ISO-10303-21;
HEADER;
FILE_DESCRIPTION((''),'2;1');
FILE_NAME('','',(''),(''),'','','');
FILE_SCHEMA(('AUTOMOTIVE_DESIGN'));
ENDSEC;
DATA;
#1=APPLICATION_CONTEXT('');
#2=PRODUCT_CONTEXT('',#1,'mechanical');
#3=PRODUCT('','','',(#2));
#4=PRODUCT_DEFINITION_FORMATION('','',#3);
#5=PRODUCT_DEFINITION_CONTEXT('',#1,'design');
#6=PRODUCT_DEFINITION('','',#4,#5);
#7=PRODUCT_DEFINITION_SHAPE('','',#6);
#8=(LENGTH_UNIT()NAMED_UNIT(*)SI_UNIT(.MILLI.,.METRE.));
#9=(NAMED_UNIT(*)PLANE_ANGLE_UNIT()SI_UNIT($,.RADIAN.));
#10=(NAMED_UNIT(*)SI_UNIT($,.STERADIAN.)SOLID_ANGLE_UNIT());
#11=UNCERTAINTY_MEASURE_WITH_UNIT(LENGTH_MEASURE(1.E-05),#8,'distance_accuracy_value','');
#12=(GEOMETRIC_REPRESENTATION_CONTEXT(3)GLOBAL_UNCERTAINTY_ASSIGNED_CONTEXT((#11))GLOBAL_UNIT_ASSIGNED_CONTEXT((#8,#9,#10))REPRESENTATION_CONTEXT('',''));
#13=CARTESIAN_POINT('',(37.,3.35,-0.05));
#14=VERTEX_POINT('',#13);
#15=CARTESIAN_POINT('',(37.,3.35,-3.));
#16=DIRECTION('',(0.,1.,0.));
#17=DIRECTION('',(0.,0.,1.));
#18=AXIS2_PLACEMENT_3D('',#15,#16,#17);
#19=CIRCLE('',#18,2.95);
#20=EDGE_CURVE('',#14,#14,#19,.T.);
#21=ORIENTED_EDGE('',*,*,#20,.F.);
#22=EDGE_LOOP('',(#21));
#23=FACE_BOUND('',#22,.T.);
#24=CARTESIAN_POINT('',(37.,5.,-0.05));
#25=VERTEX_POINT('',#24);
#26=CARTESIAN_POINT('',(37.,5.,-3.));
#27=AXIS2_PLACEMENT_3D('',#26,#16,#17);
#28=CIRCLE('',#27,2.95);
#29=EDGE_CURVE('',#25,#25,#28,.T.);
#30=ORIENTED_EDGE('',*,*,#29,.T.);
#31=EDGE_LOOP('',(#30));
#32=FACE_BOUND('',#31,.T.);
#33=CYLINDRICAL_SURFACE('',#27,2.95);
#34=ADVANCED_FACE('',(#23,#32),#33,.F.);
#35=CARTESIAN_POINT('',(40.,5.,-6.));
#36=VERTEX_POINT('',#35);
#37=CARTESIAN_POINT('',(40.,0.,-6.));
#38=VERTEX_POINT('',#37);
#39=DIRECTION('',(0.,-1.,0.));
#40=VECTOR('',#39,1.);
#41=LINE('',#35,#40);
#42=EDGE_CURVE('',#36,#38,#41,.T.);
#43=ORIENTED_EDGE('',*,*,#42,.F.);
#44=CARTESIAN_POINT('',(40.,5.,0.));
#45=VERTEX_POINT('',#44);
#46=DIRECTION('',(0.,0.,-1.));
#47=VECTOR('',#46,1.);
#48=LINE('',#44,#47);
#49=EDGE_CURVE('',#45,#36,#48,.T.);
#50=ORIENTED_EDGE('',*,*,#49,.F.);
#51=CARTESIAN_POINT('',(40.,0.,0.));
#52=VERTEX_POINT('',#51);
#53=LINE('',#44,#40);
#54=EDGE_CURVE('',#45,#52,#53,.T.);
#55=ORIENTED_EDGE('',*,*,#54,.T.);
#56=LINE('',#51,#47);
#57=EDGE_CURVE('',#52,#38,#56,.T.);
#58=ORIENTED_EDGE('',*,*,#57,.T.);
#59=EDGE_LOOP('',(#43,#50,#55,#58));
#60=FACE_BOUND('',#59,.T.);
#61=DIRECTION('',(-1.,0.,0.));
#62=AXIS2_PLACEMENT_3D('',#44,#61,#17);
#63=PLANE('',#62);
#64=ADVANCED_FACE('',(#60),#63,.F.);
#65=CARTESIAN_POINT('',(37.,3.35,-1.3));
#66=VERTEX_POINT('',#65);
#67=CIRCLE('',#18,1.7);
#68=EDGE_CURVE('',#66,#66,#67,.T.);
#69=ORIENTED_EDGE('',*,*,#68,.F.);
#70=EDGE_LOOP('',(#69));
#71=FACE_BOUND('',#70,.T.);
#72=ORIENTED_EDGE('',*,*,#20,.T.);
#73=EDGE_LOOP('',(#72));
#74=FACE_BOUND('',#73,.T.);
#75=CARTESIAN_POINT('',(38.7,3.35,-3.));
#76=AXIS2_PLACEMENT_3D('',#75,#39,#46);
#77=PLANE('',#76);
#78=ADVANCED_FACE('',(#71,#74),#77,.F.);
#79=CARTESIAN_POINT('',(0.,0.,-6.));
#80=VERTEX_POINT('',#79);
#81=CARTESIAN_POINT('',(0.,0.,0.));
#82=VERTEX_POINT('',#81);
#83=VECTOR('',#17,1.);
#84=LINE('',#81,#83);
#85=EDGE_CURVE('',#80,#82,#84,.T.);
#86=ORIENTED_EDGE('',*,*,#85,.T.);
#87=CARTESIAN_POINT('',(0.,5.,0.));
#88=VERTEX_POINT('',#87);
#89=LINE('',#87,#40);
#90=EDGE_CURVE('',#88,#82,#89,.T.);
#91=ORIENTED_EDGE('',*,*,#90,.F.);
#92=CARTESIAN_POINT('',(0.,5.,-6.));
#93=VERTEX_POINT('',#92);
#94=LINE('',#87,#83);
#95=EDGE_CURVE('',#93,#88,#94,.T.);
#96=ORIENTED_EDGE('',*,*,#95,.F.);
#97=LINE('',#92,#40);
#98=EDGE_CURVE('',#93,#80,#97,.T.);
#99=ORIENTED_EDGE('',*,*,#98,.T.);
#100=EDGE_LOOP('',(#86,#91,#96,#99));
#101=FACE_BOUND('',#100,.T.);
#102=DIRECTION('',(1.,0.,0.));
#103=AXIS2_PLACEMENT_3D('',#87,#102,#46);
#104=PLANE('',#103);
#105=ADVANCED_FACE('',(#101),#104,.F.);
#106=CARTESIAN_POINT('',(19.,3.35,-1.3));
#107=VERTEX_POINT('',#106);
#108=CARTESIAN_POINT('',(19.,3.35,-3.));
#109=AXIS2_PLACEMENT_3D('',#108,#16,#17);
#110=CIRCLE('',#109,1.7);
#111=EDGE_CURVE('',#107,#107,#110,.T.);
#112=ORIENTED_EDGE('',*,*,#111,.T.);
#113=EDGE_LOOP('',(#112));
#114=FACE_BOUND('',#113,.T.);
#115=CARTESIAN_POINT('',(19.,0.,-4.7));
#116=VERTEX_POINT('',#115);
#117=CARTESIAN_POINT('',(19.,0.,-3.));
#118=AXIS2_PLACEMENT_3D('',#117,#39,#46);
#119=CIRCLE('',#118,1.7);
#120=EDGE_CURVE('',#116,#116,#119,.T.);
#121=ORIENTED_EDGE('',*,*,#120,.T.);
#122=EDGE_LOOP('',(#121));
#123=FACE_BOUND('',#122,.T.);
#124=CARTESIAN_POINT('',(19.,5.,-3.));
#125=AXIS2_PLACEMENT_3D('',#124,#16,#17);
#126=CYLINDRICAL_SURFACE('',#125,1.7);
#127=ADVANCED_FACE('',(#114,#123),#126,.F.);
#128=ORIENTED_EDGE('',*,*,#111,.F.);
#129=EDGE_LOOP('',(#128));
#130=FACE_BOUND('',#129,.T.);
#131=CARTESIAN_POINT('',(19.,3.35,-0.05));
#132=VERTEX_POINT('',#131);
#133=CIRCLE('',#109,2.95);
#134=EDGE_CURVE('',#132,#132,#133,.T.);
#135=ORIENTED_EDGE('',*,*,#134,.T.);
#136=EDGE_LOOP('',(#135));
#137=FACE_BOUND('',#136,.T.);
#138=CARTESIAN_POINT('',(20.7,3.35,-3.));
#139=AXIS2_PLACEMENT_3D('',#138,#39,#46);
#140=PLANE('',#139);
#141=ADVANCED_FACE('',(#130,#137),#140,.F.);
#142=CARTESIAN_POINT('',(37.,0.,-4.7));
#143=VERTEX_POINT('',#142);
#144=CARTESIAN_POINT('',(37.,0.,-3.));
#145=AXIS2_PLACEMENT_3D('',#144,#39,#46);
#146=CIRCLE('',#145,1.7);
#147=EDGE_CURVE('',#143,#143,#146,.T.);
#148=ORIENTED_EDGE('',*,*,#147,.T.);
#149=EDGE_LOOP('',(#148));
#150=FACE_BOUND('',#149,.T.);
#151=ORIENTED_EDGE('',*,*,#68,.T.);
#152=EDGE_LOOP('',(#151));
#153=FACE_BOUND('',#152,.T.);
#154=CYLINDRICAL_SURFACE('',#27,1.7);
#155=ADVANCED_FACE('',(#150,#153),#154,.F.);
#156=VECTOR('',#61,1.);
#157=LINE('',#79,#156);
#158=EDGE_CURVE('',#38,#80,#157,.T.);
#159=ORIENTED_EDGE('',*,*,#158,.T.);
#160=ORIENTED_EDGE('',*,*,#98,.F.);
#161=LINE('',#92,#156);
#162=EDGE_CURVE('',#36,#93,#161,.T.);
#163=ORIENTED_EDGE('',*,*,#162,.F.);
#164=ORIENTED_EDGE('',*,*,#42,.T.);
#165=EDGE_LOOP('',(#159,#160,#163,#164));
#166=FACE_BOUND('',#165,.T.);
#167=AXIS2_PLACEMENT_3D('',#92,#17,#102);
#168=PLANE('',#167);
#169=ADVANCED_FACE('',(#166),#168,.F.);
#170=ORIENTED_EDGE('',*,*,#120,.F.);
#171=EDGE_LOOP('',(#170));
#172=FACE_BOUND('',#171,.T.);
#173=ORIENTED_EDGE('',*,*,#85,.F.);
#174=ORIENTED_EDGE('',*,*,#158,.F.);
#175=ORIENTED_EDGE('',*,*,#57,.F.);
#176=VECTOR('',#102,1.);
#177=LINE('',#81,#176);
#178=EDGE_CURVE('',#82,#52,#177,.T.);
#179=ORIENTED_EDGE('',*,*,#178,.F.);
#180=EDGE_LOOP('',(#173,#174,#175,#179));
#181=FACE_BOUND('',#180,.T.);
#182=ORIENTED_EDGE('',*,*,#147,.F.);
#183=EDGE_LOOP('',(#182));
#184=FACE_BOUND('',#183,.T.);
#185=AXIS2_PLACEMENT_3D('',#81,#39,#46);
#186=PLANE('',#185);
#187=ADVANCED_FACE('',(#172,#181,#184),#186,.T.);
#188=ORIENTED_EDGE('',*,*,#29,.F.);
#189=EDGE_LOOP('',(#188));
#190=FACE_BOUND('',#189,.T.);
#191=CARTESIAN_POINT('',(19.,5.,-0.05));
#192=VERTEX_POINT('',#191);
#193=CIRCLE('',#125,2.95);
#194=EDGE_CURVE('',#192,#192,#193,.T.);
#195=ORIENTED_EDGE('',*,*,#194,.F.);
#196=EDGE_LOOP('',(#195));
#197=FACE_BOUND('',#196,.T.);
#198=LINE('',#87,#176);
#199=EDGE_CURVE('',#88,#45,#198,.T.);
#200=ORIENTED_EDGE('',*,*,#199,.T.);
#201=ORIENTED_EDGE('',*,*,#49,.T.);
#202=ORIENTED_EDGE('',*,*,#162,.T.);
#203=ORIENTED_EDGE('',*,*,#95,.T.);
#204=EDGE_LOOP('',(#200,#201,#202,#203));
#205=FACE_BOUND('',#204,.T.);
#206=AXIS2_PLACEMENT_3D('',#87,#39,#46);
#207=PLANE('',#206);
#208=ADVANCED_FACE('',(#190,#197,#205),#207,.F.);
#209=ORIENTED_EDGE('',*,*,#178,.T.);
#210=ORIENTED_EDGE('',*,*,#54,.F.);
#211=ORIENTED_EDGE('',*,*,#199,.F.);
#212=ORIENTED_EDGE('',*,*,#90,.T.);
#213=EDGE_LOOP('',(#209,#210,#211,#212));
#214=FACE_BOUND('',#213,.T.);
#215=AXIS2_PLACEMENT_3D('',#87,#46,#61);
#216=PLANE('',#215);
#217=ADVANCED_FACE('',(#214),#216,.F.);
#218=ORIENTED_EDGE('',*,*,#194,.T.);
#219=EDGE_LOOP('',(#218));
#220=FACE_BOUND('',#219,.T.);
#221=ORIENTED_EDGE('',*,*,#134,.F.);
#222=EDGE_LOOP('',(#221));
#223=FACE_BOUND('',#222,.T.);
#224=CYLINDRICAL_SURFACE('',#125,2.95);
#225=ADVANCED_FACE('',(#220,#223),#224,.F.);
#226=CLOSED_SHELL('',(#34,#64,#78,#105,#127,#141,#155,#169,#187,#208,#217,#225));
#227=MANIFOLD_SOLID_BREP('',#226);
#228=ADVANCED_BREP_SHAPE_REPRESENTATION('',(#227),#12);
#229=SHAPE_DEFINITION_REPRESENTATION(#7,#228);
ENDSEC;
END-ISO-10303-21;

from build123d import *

# Parameters (mm, degrees)
SKETCH1_W                       = 40
SKETCH1_H                       = 6
BOSS_EXTRUDE1_DEPTH             = 5
CBORE_FOR_M3_SBHCS1_D           = 3.4
CBORE_FOR_M3_SBHCS1_DEPTH       = 7.5
CBORE_FOR_M3_SBHCS1_CBORE_D     = 5.9
CBORE_FOR_M3_SBHCS1_CBORE_DEPTH = 1.65
CBORE_FOR_M3_SBHCS1_TIP         = 1.021463052


with BuildPart() as part:
    # Sketch1 → Boss-Extrude1 (new body)
    with BuildSketch(Plane(origin=(0, 0, 0), x_dir=(1, 0, 0), z_dir=(0, 1, 0))):
        with Locations((20, 3)):
            Rectangle(SKETCH1_W, SKETCH1_H)
    extrude(amount=BOSS_EXTRUDE1_DEPTH)

    # CBORE for M3 SBHCS1
    with Locations(Plane(origin=(0, 5, 0), x_dir=(1, 0, 0), z_dir=(0, 1, 0))):
        with Locations((37, 3), (19, 3)):
            CounterBoreHole(CBORE_FOR_M3_SBHCS1_D / 2, CBORE_FOR_M3_SBHCS1_CBORE_D / 2, CBORE_FOR_M3_SBHCS1_CBORE_DEPTH, depth=CBORE_FOR_M3_SBHCS1_DEPTH)
            with Locations((0, 0, -(CBORE_FOR_M3_SBHCS1_DEPTH + CBORE_FOR_M3_SBHCS1_TIP / 2))):  # 118° drill point
                Cone(0, CBORE_FOR_M3_SBHCS1_D / 2, CBORE_FOR_M3_SBHCS1_TIP, mode=Mode.SUBTRACT)


solid = part.part
